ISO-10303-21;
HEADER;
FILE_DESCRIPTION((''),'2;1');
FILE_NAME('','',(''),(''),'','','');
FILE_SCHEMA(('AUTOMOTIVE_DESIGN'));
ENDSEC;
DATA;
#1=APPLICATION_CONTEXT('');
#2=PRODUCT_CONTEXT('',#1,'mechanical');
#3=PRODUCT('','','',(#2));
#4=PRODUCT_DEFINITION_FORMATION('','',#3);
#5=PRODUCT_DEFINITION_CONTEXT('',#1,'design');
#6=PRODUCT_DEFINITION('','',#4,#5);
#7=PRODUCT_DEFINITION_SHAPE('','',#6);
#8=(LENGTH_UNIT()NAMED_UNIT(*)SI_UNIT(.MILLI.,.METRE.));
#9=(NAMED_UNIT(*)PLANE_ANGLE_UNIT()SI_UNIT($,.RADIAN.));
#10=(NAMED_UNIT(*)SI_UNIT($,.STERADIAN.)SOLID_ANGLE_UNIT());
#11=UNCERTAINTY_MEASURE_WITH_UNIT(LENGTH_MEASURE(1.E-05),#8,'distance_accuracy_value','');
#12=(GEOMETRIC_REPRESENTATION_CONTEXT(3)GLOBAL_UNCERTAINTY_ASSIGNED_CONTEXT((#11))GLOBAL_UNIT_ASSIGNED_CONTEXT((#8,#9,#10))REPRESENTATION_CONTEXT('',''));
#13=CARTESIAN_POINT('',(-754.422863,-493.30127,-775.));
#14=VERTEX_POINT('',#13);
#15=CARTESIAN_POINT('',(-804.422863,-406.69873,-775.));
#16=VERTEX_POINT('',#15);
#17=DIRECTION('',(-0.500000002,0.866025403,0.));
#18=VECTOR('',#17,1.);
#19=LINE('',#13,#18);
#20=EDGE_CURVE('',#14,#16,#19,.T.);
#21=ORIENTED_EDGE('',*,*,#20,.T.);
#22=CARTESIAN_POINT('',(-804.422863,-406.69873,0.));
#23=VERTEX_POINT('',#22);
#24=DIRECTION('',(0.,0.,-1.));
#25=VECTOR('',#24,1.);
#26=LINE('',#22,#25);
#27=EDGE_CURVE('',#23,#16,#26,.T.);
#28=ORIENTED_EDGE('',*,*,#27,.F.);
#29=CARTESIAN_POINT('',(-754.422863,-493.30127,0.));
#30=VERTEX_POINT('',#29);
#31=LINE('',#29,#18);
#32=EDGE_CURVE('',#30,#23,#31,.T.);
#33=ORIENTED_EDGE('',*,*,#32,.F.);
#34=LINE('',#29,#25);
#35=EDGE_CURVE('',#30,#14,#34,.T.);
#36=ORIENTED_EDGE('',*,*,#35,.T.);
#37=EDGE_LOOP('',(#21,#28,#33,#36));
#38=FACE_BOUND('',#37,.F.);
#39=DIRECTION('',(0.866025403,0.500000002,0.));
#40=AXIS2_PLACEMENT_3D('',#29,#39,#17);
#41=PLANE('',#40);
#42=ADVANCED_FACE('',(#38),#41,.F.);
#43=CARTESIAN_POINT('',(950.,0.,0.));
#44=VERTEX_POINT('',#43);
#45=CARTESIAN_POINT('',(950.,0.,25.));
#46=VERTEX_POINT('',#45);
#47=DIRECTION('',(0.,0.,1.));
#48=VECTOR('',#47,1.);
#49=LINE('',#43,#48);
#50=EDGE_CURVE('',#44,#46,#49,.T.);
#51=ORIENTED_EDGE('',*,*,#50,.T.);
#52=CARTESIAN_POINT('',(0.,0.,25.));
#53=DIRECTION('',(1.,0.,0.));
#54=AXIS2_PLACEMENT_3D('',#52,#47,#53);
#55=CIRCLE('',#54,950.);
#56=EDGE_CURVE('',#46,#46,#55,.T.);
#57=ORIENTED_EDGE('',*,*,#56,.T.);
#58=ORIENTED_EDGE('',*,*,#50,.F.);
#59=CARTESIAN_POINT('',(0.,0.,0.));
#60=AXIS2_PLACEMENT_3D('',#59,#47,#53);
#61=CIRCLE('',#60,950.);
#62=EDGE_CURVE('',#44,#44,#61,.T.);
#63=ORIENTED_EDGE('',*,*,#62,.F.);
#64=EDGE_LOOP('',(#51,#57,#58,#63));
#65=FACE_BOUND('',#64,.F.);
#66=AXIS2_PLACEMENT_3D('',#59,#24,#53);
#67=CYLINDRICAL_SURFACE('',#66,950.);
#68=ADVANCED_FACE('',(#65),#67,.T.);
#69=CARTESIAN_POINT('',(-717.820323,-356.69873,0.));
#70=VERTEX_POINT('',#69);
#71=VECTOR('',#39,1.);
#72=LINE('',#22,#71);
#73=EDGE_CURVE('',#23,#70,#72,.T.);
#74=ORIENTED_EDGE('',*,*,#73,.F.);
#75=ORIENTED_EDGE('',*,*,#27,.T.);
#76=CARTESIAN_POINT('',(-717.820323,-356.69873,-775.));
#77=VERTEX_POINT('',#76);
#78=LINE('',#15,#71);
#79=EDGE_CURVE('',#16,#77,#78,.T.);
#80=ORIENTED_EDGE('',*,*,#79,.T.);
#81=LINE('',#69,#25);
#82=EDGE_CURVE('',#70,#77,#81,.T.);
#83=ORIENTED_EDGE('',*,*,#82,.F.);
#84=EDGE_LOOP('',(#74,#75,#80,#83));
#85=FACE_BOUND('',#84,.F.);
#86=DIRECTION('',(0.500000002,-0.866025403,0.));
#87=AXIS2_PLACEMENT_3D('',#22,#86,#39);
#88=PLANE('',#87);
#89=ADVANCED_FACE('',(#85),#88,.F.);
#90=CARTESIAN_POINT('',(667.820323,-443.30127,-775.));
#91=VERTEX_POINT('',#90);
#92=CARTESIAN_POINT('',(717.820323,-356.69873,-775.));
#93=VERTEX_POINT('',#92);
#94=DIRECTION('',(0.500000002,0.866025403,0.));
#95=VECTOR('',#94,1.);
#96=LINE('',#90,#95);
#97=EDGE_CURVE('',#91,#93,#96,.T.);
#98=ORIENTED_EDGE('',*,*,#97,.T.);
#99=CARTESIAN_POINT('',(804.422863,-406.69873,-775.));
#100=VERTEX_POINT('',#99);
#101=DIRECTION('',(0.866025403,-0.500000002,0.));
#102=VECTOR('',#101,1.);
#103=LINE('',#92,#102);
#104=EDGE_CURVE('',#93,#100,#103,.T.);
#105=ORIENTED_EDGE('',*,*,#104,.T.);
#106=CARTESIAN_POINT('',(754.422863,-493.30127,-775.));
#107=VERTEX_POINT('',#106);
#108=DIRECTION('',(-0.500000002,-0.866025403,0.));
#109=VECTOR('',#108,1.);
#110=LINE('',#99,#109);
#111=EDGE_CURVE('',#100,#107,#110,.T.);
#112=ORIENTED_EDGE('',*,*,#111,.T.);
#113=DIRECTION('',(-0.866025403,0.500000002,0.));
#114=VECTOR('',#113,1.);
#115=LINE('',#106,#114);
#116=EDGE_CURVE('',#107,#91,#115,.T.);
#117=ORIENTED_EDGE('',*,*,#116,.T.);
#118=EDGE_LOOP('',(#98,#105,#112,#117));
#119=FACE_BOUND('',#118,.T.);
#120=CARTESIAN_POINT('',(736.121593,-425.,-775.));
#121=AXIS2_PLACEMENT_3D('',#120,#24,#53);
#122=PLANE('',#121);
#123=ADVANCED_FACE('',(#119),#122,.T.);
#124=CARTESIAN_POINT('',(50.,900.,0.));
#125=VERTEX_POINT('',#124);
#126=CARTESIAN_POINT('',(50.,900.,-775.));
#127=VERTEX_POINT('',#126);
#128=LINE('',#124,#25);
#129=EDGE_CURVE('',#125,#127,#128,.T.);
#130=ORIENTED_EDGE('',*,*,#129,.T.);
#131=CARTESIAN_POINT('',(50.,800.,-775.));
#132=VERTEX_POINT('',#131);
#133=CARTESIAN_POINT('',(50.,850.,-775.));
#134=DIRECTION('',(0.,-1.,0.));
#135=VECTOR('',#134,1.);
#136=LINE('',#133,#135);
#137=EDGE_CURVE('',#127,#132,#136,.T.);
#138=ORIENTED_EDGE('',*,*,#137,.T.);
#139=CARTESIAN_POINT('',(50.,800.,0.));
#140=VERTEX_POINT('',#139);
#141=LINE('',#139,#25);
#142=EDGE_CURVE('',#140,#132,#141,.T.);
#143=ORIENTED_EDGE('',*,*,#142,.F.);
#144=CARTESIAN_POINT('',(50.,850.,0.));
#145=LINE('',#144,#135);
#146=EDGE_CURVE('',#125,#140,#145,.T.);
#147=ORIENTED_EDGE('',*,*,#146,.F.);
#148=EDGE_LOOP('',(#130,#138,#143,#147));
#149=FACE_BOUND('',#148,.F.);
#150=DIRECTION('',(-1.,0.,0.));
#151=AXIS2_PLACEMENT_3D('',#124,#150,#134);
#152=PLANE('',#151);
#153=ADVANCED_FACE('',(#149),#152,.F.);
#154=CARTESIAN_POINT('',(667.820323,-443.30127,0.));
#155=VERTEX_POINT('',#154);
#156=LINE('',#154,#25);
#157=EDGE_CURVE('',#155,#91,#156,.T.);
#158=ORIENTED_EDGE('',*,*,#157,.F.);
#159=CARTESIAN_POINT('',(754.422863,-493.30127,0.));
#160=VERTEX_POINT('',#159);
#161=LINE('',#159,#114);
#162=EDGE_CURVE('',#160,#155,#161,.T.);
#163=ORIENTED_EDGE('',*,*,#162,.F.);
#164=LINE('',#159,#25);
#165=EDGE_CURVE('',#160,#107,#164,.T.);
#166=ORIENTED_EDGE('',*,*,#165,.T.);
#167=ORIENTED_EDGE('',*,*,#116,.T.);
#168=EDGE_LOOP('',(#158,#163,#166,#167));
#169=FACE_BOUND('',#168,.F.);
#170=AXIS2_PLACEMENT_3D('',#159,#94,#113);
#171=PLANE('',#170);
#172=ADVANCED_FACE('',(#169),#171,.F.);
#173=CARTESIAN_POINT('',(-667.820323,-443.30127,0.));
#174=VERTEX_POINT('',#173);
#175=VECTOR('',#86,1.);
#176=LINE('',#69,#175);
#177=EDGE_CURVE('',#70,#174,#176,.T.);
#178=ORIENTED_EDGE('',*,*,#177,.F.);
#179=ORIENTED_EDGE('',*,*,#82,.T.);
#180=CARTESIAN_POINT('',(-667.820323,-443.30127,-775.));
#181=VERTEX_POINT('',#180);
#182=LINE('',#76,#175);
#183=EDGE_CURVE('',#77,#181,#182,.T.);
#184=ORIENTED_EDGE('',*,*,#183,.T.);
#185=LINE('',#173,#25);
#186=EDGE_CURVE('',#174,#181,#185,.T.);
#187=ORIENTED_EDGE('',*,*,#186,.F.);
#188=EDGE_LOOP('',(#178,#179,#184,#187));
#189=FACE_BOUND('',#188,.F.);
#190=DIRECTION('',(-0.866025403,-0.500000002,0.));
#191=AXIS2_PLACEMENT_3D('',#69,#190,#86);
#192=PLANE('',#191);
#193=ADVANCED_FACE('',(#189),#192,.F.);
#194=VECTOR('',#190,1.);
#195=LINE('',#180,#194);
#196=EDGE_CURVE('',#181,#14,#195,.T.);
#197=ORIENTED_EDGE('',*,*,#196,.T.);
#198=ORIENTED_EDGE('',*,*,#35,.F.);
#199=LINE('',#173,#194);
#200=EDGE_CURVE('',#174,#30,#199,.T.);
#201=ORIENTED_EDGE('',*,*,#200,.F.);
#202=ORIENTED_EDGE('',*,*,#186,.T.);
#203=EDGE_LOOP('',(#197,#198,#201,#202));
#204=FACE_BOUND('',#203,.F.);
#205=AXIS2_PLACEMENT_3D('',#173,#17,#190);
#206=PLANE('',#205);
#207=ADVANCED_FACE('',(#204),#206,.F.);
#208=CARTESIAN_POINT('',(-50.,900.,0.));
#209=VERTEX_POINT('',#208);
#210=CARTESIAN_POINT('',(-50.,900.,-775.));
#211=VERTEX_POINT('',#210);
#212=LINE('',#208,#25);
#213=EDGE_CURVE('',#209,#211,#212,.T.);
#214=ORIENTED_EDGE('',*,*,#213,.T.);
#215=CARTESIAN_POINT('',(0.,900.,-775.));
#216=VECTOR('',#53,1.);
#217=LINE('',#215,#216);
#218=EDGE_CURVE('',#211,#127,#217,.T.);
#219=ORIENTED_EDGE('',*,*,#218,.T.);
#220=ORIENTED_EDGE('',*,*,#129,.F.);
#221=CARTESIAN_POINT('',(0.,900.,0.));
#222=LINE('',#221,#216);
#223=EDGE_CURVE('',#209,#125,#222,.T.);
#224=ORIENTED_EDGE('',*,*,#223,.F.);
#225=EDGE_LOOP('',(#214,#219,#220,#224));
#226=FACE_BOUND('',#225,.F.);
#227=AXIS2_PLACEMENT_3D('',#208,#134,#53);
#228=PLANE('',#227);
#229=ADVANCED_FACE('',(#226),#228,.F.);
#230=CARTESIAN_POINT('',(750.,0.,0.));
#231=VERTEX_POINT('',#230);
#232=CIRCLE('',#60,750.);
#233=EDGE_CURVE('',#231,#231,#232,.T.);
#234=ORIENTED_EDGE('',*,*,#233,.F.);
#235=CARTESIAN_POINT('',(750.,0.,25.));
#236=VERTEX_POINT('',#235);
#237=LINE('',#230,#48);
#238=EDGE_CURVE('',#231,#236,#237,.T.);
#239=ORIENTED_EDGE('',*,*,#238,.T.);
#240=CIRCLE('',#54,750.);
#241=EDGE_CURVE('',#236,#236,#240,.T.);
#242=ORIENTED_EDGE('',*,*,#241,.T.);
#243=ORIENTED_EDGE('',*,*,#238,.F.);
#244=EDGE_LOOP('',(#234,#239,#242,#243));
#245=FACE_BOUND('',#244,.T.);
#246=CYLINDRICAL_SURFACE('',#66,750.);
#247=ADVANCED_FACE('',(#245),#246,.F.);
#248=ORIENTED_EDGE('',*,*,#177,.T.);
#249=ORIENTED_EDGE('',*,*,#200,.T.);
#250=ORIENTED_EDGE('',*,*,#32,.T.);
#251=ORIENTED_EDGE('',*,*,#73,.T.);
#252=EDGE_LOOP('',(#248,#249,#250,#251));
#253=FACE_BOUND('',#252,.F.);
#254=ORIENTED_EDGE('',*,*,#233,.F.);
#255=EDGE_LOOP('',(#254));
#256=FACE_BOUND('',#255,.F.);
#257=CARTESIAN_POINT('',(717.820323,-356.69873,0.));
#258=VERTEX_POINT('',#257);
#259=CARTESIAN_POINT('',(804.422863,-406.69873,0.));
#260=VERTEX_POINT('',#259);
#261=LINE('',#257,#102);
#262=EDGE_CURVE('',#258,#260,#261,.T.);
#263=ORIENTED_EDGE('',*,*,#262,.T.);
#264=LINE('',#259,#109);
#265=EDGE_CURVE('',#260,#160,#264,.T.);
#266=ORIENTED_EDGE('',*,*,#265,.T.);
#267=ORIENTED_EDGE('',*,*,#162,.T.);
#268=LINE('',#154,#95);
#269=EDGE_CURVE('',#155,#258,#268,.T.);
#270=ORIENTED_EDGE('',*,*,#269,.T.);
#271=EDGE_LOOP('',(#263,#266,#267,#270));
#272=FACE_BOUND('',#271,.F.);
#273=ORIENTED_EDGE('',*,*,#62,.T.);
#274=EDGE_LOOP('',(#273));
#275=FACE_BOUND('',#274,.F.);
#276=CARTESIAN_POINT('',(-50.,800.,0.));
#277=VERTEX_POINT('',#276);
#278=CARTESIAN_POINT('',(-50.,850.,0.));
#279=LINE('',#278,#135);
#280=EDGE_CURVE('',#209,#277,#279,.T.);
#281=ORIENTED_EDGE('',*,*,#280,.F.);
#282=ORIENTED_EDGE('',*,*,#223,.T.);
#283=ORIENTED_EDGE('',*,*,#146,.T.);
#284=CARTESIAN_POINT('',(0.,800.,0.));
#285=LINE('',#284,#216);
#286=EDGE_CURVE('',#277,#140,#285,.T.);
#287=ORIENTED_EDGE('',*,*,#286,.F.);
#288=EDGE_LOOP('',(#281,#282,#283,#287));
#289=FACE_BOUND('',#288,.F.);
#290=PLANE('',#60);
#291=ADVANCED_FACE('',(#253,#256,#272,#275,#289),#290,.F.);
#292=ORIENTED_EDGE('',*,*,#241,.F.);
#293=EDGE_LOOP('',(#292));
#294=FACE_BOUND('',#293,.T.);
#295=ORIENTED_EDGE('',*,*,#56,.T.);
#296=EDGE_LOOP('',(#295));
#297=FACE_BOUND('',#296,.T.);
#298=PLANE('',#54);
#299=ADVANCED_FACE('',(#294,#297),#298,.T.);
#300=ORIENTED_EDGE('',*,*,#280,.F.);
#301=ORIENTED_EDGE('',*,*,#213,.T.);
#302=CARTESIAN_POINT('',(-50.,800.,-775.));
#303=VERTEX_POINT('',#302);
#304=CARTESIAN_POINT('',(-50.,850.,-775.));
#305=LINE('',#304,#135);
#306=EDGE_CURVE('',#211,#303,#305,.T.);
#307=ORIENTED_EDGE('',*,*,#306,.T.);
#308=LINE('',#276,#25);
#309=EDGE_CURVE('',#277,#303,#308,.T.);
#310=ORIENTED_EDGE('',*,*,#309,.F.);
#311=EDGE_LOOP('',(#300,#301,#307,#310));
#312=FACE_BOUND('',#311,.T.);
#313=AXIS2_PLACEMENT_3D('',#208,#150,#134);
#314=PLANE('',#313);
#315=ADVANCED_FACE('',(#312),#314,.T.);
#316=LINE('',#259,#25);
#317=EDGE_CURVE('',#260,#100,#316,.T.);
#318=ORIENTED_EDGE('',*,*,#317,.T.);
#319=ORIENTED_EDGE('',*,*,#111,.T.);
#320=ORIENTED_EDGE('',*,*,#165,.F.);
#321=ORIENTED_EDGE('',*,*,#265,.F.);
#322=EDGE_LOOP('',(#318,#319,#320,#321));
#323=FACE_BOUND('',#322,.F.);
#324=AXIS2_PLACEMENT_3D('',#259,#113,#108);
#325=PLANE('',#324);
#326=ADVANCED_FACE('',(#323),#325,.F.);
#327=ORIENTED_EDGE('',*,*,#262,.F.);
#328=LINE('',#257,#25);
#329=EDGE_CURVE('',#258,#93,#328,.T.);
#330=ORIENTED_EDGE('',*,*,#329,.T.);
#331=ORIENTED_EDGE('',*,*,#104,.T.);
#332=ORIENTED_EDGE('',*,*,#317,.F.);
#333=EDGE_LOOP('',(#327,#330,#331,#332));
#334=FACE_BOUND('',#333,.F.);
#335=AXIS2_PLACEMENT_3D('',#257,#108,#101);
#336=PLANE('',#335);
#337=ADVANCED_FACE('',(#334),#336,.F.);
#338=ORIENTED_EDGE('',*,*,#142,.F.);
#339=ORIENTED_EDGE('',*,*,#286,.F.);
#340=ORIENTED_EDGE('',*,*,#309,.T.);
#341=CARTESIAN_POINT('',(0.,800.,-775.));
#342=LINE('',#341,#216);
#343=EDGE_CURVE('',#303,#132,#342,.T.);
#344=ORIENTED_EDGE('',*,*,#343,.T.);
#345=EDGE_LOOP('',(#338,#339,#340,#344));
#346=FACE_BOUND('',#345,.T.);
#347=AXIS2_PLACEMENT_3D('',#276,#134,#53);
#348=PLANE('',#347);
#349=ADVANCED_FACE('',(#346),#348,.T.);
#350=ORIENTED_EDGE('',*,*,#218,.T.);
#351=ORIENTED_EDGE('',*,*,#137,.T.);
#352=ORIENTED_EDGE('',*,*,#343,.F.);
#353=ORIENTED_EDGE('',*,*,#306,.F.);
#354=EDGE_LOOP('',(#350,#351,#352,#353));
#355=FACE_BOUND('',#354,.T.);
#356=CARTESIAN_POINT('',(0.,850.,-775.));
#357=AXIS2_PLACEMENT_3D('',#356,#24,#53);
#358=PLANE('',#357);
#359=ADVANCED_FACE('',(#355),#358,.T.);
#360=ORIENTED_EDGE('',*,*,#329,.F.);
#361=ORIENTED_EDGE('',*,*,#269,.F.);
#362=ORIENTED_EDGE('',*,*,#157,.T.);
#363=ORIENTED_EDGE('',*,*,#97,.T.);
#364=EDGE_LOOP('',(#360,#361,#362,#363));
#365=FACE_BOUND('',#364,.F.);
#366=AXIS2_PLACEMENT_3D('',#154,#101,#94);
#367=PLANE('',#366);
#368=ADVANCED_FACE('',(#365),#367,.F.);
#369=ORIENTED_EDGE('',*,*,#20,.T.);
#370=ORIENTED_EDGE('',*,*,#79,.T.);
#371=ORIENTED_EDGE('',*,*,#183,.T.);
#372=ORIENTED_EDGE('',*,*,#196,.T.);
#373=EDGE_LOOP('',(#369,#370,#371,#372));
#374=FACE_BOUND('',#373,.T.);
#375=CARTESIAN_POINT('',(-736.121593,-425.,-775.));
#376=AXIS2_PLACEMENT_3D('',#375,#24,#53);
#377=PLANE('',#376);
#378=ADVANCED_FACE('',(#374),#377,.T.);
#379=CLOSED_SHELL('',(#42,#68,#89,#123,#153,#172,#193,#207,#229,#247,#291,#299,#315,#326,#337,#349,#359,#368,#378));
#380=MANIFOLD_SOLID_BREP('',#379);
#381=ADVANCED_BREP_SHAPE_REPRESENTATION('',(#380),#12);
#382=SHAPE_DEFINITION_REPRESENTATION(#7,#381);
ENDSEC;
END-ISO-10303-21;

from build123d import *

# Parameters (mm, degrees)
F0_R     = 950
F0_R_2   = 750
F1_DEPTH = 25
F2_W     = 100
F2_H     = 100
F3_DEPTH = 775


with BuildPart() as f1:
    # F0 (on Top) → F1 (new body)
    with BuildSketch(Plane.XY):
        Circle(F0_R)
        Circle(F0_R_2, mode=Mode.SUBTRACT)
    extrude(amount=F1_DEPTH)

    # F2 (on face) → F3 (join)
    with BuildSketch(Plane(origin=(0, 0, 0), x_dir=(1, 0, 0), z_dir=(0, 0, -1))):
        with Locations((0, -850)):
            Rectangle(F2_W, F2_H)
        Polygon((-717.820323, 356.69873), (-667.820323, 443.30127), (-754.422863, 493.30127), (-804.422863, 406.69873), align=None)
        Polygon((667.820323, 443.30127), (717.820323, 356.69873), (804.422863, 406.69873), (754.422863, 493.30127), align=None)
    extrude(amount=F3_DEPTH)


solid = f1.part
